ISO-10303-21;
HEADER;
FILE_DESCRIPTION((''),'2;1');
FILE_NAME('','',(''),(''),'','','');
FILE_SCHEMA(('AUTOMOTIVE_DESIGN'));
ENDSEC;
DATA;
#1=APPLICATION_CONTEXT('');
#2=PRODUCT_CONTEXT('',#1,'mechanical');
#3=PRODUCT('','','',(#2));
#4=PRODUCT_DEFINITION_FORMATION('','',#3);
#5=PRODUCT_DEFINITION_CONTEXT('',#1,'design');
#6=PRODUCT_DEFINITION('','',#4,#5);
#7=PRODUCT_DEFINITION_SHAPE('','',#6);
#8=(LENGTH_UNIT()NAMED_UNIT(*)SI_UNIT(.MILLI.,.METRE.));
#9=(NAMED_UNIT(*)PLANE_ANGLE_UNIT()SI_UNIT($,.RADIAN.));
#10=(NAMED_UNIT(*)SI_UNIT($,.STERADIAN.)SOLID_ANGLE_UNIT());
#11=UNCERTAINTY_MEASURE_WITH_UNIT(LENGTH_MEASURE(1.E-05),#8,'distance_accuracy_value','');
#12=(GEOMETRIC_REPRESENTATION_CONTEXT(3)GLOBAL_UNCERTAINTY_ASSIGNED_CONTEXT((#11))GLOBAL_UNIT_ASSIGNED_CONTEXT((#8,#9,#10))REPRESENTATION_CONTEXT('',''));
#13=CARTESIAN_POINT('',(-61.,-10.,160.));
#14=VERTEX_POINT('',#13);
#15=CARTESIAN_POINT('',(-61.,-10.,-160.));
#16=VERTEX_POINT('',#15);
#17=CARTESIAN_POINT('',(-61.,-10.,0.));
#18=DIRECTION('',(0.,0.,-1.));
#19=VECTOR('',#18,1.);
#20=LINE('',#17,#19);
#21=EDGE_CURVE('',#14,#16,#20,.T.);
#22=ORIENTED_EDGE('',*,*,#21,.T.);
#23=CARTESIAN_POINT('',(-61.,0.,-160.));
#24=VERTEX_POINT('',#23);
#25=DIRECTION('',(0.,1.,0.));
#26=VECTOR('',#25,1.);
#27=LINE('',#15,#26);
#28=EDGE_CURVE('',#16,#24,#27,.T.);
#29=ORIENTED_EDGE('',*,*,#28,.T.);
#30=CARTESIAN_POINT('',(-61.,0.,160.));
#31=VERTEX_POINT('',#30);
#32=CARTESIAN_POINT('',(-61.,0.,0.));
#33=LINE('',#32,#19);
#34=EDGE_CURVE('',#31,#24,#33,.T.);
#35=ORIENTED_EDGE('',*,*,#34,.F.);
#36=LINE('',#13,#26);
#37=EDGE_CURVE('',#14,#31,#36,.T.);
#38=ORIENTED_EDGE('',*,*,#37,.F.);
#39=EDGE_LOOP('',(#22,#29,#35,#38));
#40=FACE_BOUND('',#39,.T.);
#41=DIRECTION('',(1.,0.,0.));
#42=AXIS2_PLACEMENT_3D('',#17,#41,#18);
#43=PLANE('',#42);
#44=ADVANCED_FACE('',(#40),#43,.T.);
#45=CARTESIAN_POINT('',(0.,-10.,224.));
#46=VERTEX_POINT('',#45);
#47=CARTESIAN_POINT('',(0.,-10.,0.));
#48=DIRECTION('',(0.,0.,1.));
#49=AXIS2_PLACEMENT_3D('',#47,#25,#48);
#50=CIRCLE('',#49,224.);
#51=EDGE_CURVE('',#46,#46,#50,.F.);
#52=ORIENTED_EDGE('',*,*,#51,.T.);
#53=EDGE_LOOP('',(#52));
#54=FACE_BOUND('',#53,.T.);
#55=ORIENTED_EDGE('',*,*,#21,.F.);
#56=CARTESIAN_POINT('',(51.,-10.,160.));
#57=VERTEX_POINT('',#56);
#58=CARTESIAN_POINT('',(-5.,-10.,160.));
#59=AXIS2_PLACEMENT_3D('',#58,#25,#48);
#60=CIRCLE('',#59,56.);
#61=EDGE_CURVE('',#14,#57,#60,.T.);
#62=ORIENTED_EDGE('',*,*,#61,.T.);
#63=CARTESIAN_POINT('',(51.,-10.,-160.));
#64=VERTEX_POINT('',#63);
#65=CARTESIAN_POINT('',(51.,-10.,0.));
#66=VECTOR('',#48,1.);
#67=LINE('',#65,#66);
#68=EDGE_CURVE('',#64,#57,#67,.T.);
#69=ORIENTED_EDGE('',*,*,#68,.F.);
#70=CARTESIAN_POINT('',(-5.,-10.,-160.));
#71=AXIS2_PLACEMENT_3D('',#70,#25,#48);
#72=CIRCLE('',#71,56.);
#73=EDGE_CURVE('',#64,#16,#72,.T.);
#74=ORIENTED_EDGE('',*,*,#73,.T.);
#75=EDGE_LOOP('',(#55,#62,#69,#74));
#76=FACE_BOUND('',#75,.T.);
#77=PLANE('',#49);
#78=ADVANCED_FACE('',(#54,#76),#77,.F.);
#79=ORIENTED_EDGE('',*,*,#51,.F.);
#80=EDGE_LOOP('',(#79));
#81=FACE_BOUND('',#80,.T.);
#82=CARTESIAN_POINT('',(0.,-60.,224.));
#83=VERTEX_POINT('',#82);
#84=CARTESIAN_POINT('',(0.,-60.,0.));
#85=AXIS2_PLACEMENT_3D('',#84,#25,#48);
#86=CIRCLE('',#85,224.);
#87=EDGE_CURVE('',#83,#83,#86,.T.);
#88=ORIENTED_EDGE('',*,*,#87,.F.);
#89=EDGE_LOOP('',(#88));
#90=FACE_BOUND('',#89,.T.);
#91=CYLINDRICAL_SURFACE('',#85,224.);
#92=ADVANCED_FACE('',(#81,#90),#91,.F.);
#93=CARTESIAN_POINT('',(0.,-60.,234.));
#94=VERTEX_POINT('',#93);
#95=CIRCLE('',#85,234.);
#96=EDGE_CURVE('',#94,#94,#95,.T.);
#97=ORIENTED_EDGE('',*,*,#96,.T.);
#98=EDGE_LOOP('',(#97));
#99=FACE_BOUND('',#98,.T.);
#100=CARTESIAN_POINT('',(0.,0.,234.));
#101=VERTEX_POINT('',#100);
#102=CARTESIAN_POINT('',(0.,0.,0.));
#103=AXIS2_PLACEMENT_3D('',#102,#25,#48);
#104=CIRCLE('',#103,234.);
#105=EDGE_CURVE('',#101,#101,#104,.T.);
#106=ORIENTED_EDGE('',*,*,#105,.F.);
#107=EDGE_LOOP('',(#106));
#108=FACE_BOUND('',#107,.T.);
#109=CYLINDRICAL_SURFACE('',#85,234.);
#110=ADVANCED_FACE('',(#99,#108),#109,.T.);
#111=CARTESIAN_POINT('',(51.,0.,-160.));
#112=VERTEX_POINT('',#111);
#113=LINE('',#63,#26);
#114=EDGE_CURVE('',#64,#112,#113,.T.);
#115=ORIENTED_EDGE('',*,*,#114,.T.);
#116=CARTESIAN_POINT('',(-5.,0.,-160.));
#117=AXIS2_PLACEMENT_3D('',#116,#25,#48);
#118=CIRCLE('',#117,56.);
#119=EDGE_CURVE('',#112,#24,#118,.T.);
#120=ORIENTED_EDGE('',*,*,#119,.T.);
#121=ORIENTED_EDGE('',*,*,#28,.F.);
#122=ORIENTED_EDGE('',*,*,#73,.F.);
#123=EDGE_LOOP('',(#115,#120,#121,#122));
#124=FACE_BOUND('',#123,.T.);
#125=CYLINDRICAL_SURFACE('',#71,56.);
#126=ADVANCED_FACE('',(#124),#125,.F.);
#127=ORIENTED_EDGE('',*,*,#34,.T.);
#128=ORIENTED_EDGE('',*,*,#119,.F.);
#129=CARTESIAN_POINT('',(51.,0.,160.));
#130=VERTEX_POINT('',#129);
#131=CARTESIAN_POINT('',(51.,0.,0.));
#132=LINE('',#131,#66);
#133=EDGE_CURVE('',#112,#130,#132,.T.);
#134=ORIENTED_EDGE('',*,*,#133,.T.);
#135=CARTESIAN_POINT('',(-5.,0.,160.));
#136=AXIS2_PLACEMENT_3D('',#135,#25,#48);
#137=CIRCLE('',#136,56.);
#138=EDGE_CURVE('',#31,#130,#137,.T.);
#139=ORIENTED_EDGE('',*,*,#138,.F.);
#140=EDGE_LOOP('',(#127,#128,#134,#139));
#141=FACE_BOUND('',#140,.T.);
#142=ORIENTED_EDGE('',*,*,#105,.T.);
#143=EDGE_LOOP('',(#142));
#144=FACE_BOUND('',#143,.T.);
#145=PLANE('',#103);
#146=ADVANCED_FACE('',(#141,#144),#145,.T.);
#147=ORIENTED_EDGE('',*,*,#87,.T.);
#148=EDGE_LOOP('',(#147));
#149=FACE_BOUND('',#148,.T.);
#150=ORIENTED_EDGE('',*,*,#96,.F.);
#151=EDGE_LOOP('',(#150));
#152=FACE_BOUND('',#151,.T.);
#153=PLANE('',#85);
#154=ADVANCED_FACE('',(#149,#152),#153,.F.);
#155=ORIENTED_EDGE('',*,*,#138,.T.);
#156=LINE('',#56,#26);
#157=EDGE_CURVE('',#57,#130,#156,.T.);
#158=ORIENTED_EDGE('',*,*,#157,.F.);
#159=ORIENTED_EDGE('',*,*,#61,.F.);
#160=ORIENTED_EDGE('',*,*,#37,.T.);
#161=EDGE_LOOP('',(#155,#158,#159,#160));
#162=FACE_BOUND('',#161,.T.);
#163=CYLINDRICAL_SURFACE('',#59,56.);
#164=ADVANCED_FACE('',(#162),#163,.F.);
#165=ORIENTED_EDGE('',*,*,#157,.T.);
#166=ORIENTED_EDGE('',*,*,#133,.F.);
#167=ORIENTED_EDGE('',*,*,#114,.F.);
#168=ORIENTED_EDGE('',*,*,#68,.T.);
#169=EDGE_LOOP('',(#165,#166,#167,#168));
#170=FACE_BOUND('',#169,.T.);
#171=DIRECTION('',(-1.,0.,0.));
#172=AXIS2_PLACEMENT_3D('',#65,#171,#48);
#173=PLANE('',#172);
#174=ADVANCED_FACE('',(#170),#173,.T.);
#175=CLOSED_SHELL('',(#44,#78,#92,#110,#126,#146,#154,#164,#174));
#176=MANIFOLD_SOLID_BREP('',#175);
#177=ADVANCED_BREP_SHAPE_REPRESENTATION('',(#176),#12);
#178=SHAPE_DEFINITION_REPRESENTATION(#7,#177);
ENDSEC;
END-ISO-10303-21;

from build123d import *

# Parameters (mm, degrees)
SKETCH1_R           = 234
SKETCH1_R_2         = 224
BOSS_EXTRUDE1_DEPTH = 60
SKETCH1_3_R         = 224
BOSS_EXTRUDE2_DEPTH = 10


with BuildPart() as part:
    # Sketch1 → Boss-Extrude1 (new body)
    with BuildSketch(Plane(origin=(0, 0, 0), x_dir=(1, 0, 0), z_dir=(0, 1, 0))):
        Circle(SKETCH1_R)
        Circle(SKETCH1_R_2, mode=Mode.SUBTRACT)
    extrude(amount=-BOSS_EXTRUDE1_DEPTH)

    # Sketch1<3> → Boss-Extrude2 (add)
    with BuildSketch(Plane(origin=(0, 0, 0), x_dir=(1, 0, 0), z_dir=(0, 1, 0))):
        Circle(SKETCH1_3_R)
        with BuildLine():
            ThreePointArc((-61, 160), (-5, 216), (51, 160))
            Line((51, 160), (51, -160))
            ThreePointArc((51, -160), (-5, -216), (-61, -160))
            Line((-61, -160), (-61, 160))
        make_face(mode=Mode.SUBTRACT)
    extrude(amount=-BOSS_EXTRUDE2_DEPTH)


solid = part.part
